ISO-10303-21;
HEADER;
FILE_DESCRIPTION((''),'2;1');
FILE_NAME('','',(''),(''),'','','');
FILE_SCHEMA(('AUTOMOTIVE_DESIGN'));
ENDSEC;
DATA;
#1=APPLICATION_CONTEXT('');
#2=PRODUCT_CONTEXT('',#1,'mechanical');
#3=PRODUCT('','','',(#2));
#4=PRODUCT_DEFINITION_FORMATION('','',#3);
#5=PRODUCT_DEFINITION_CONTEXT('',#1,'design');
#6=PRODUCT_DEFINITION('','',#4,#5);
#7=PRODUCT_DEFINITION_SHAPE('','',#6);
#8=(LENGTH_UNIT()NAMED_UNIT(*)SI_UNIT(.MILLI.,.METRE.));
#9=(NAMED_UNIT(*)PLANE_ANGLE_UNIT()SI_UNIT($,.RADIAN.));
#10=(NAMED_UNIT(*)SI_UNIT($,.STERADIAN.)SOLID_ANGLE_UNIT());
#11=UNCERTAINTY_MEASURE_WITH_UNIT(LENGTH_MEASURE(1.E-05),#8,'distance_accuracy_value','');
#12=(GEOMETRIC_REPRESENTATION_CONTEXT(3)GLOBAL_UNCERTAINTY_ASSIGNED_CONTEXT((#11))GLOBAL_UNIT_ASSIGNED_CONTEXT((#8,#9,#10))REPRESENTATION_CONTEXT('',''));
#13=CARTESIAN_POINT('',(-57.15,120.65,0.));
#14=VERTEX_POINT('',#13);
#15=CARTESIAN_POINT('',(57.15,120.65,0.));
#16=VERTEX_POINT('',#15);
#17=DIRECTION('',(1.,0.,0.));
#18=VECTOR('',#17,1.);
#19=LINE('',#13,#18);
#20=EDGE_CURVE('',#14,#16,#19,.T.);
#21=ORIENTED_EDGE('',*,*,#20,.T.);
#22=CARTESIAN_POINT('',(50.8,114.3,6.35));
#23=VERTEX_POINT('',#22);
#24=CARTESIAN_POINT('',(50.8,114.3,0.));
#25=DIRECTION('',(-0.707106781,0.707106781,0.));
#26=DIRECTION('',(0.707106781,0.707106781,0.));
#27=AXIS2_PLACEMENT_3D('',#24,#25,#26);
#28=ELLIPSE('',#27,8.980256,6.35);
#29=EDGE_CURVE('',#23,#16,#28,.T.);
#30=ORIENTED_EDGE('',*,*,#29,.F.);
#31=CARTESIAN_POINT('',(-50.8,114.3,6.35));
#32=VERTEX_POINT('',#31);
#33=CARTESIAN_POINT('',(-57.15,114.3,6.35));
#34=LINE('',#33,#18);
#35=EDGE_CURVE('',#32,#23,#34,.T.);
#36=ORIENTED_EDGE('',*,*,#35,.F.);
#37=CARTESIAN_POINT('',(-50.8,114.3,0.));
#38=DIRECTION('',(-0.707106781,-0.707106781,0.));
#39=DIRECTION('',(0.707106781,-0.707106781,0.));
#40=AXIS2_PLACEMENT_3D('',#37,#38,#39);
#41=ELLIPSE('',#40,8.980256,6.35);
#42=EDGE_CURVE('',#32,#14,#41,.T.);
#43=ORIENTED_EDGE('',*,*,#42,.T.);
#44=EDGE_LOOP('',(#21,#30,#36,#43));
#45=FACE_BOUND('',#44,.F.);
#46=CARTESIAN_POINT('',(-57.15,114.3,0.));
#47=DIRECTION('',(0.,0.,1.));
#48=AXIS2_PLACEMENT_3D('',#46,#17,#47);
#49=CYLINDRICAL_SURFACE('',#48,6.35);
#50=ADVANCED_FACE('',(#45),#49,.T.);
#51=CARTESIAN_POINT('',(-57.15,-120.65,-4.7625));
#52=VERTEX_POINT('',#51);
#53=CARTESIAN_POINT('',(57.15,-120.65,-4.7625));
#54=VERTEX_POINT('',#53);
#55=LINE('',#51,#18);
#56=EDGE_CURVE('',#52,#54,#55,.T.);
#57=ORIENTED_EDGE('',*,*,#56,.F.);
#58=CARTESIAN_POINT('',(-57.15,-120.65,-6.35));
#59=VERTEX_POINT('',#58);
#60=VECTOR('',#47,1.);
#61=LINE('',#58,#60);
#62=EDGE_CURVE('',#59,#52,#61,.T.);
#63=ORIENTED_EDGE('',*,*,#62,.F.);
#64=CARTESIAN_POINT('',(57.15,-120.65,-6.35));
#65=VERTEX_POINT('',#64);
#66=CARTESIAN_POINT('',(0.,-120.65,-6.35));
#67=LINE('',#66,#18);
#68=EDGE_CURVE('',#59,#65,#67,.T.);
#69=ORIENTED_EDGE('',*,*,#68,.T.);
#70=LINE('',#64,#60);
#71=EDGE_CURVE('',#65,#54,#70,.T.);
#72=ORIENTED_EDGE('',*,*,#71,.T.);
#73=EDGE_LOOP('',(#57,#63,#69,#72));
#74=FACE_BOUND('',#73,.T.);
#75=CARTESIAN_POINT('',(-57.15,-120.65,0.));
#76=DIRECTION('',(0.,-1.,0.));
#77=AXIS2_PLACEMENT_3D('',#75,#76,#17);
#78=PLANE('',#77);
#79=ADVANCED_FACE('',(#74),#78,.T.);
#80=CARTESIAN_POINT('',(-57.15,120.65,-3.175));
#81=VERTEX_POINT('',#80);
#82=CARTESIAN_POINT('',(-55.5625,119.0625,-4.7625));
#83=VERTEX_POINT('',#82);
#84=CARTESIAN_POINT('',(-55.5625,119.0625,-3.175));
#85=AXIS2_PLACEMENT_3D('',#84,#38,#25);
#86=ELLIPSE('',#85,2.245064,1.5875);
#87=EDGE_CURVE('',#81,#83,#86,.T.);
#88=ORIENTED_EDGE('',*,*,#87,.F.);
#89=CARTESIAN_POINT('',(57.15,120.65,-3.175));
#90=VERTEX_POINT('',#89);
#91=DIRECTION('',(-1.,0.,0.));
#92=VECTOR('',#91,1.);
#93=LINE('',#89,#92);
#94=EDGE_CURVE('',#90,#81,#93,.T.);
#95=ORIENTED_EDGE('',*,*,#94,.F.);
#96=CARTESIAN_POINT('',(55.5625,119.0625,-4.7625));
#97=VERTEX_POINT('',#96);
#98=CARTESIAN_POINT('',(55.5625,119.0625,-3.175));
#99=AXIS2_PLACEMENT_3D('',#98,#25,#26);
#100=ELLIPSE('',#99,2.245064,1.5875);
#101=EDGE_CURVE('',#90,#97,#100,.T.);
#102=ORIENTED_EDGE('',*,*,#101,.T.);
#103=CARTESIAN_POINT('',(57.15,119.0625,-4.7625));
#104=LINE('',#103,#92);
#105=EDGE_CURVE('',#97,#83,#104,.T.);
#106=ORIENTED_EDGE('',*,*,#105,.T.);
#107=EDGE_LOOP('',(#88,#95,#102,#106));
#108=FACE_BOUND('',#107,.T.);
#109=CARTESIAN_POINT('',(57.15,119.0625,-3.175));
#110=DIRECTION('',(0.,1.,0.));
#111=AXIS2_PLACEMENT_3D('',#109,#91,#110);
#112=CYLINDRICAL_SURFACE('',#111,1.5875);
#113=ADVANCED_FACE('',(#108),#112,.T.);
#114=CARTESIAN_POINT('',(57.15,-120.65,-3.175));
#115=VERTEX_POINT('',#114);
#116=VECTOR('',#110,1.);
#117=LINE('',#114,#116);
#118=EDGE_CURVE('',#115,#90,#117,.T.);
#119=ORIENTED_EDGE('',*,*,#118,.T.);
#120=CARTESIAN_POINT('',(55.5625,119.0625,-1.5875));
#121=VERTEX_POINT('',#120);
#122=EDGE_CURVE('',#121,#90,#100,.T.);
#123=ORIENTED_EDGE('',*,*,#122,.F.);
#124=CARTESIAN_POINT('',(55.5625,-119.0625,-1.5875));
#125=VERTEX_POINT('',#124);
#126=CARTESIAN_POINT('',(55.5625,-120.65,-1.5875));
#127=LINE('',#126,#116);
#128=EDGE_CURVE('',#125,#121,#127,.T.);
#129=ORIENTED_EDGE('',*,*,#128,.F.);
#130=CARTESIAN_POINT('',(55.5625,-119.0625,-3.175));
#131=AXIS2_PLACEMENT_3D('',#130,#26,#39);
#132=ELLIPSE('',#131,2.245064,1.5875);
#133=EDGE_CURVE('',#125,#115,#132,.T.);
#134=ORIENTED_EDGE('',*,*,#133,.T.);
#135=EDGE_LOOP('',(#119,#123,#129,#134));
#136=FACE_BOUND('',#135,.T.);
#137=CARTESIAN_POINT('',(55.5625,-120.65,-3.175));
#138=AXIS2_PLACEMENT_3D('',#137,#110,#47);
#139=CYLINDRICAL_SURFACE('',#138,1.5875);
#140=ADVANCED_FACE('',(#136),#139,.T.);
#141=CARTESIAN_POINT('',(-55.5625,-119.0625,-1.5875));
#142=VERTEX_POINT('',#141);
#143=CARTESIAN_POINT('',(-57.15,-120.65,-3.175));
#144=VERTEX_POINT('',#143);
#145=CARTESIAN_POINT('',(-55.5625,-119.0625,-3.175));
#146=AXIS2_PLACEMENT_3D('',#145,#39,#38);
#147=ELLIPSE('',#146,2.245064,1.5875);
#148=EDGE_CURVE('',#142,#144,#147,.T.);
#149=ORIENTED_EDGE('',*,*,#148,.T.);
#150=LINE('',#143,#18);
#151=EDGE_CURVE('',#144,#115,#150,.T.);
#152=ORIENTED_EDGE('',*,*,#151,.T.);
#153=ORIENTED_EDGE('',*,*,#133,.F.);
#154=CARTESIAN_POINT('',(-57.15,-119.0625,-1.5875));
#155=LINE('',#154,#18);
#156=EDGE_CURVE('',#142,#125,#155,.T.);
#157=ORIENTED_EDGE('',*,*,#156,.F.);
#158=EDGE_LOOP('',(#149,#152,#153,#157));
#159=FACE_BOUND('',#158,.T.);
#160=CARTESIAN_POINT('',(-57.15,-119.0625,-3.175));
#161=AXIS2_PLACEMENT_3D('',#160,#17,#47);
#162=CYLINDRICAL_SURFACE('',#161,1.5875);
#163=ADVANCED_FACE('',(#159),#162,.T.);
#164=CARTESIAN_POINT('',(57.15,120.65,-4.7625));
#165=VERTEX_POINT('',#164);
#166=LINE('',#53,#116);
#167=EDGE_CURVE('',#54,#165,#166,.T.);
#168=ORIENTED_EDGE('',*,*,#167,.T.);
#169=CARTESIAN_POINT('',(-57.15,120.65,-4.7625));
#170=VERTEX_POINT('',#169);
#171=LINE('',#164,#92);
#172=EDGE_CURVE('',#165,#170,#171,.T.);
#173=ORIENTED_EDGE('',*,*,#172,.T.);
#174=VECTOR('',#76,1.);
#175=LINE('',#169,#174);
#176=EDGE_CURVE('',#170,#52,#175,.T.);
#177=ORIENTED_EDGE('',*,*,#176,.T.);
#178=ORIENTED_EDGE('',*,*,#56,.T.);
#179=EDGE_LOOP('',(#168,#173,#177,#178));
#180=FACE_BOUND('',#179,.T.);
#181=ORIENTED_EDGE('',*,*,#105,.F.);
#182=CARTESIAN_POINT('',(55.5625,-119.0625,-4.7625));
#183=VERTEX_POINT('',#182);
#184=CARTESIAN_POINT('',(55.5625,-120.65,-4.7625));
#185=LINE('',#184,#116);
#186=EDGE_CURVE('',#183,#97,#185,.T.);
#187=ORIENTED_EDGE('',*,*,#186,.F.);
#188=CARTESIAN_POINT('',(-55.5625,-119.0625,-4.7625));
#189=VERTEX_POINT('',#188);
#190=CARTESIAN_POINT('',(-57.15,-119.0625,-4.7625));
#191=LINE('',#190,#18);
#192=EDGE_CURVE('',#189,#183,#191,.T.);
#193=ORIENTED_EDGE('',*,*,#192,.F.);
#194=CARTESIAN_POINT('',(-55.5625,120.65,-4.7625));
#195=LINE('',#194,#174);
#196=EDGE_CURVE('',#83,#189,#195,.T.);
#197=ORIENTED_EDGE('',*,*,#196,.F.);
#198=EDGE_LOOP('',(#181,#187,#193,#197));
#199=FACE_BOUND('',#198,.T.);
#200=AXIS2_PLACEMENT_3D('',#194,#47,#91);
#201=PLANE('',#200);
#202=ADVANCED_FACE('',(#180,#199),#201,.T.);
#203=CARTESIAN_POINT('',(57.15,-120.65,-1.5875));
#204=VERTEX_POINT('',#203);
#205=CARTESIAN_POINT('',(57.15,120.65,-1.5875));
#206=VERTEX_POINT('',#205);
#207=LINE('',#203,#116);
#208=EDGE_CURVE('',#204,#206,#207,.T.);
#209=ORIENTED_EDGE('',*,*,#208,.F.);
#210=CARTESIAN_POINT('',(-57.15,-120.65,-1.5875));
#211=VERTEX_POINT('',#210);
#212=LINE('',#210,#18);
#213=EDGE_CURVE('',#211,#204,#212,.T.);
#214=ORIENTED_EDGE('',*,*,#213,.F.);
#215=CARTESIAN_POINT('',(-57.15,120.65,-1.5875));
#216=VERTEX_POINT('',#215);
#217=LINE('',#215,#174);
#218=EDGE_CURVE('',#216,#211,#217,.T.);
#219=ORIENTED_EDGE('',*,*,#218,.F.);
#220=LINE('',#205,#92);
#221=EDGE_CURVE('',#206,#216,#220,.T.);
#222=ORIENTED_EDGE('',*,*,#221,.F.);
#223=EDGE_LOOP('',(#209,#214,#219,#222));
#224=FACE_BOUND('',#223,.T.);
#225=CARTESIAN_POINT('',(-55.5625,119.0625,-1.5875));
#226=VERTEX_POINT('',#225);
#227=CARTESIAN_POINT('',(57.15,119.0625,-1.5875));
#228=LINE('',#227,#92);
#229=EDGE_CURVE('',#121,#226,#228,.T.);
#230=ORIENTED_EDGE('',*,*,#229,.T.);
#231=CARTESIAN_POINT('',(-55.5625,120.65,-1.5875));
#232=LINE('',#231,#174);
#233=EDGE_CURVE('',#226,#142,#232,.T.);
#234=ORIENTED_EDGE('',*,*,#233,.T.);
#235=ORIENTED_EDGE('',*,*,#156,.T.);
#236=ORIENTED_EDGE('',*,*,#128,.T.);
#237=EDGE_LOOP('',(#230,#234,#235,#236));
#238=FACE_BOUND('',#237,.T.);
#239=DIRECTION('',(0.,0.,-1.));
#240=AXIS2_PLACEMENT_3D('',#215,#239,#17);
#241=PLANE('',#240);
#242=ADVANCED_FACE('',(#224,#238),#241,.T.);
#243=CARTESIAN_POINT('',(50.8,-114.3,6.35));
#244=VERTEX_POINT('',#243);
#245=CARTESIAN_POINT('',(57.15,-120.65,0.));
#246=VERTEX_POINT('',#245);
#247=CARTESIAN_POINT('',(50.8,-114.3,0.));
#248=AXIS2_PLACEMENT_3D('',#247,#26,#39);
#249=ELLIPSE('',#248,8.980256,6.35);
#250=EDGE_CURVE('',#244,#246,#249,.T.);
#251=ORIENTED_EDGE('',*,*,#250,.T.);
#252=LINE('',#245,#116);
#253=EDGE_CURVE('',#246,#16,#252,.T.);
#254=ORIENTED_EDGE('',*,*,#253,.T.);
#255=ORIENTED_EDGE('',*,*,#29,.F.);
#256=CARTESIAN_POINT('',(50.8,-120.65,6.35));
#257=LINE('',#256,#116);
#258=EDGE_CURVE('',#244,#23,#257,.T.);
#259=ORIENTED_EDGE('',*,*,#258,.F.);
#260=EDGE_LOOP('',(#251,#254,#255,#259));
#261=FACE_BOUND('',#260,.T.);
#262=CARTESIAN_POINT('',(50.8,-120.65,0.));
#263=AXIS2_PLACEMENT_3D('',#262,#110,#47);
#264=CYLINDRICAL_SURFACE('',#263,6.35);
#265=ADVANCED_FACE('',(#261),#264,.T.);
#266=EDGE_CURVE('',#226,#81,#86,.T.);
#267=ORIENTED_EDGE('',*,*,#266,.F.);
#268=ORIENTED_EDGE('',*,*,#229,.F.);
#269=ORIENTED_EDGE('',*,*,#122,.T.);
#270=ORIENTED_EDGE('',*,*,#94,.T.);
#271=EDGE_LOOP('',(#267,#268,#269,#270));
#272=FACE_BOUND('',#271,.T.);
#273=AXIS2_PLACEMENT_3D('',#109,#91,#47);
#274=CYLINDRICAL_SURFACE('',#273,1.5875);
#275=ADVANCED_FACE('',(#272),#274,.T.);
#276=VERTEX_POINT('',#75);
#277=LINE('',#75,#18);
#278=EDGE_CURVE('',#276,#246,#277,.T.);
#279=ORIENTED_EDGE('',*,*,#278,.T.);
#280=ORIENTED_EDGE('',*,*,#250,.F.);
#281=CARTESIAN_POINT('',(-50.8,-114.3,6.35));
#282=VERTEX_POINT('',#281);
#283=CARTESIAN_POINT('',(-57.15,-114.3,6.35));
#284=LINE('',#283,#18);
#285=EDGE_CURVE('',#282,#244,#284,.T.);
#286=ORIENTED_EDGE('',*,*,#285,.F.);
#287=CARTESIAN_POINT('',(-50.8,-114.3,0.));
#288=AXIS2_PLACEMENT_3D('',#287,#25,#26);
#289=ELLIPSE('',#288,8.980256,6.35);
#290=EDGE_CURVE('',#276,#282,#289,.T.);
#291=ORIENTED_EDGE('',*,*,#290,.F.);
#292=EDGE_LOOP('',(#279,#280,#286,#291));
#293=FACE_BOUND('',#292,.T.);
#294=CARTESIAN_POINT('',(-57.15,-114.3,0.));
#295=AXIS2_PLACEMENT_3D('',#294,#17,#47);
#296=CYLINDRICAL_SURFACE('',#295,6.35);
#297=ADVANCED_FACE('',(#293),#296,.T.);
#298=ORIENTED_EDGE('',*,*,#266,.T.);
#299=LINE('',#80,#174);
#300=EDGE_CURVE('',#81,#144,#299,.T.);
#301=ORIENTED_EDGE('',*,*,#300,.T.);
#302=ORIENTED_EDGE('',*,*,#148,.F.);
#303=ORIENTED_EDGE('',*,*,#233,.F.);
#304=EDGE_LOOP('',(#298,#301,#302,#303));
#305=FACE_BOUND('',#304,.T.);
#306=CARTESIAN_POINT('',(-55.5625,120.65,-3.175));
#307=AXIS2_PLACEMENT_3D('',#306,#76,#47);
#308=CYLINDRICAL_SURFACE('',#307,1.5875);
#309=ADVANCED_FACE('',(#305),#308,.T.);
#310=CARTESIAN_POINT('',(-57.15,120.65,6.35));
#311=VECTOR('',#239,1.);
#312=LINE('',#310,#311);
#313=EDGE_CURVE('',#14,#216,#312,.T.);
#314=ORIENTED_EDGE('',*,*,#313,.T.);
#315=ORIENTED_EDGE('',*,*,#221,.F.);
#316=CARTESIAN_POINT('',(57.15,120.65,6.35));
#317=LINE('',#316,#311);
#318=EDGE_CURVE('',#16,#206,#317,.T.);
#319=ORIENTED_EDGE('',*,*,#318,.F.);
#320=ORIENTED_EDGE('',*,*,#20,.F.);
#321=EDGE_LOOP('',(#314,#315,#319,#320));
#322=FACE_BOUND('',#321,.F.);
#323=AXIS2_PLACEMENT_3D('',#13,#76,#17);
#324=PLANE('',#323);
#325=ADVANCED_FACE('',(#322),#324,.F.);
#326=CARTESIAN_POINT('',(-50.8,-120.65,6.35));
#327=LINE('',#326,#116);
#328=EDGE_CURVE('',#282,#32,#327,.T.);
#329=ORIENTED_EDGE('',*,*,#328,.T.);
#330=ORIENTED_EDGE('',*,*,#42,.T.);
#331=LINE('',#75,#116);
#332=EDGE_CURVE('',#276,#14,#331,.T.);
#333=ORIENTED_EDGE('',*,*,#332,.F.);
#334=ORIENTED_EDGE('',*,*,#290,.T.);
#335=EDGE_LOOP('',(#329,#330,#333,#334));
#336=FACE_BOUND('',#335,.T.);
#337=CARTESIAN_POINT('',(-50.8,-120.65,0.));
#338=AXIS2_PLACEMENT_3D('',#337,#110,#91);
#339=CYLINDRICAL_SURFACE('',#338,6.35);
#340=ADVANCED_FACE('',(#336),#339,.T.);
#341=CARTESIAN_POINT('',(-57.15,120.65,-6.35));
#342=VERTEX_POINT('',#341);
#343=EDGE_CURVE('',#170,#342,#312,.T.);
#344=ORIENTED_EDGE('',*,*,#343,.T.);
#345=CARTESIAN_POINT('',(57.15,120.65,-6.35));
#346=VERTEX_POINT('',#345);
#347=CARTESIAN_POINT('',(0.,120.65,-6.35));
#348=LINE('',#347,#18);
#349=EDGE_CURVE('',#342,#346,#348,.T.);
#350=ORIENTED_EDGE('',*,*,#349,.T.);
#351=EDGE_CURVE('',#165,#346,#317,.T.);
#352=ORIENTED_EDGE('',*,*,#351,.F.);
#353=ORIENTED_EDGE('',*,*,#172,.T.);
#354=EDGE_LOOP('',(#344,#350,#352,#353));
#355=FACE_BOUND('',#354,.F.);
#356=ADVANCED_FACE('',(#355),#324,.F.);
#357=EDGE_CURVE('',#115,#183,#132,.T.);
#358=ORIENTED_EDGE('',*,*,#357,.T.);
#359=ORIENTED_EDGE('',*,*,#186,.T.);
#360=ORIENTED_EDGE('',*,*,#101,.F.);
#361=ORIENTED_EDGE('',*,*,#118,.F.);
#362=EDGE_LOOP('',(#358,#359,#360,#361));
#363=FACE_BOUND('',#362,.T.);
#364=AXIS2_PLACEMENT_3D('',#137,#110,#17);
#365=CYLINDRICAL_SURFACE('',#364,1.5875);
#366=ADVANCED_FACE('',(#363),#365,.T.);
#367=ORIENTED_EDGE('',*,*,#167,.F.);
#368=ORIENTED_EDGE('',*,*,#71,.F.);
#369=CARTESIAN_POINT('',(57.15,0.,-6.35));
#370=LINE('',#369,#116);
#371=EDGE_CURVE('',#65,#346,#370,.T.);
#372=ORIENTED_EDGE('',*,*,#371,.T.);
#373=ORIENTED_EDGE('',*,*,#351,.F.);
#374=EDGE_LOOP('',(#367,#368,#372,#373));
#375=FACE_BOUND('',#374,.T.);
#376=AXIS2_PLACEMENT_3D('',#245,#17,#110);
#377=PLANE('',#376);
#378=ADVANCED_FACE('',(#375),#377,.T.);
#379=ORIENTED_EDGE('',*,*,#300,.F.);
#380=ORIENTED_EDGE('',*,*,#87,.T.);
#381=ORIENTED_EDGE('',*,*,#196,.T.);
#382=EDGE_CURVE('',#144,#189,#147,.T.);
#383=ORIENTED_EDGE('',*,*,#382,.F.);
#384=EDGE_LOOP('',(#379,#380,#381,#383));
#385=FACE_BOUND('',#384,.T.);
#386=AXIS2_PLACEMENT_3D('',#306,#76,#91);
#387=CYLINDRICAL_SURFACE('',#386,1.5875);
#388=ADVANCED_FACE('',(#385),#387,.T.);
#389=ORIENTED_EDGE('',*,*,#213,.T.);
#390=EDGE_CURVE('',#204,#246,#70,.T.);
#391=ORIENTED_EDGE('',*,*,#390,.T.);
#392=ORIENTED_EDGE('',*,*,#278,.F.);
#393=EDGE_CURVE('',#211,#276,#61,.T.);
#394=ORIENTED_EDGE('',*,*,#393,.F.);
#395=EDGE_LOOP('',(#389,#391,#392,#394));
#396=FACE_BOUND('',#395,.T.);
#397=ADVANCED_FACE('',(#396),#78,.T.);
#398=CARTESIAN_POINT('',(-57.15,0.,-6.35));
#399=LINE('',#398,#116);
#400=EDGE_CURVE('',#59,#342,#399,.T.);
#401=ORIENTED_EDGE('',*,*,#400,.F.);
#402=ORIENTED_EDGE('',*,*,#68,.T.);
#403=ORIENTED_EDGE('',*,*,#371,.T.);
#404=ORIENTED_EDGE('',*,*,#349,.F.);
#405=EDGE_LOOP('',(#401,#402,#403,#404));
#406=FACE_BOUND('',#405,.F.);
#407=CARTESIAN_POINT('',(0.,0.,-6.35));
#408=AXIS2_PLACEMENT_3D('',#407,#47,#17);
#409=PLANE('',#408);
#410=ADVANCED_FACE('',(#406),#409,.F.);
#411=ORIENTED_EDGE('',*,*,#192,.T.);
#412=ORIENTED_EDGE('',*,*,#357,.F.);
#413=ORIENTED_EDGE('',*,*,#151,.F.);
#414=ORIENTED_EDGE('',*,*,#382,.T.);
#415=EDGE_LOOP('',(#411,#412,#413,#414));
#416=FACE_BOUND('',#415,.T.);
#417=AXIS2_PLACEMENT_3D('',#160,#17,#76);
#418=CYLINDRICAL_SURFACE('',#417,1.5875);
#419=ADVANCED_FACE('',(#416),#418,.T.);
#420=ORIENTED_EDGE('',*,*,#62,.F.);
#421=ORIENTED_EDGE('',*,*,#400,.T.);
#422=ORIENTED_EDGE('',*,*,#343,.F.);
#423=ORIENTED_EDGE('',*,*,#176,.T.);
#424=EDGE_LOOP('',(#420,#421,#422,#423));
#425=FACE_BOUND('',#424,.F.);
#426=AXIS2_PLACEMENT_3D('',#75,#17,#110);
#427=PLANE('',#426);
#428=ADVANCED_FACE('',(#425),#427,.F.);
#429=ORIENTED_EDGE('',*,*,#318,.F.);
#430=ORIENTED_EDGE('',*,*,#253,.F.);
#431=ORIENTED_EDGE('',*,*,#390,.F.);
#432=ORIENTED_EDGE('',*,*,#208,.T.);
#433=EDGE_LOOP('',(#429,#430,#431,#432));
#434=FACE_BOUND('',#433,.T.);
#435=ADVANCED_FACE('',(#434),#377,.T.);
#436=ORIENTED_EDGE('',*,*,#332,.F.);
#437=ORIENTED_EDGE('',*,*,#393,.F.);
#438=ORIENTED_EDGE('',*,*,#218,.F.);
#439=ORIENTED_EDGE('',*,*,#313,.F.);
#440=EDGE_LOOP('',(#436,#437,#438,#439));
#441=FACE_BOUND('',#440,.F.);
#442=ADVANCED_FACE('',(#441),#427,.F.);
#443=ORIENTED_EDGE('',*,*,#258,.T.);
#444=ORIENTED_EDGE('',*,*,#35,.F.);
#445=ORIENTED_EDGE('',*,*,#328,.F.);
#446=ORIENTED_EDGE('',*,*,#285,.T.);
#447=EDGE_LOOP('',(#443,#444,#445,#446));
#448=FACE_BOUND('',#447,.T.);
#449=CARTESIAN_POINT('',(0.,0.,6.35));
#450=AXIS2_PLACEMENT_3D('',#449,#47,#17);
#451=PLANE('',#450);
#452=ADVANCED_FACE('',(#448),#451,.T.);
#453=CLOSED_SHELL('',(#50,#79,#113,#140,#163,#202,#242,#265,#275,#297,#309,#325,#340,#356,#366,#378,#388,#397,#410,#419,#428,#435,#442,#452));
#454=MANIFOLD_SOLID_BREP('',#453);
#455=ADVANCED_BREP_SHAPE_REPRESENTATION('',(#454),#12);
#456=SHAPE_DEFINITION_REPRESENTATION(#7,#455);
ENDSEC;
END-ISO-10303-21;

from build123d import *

# Parameters (mm, degrees)
F0_W     = 114.3
F0_H     = 241.3
F1_DEPTH = 6.35
F2_R     = 6.35


with BuildPart() as f1:
    # F0 (on Top) → F1 (new body, symmetric)
    with BuildSketch(Plane.XY):
        Rectangle(F0_W, F0_H)
    extrude(amount=F1_DEPTH, both=True)

    # F2
    f2_edges = [f1.edges().sort_by_distance(p)[0] for p in [
        (0, 120.65, 6.35),
        (-57.15, 0, 6.35),
        (0, -120.65, 6.35),
        (57.15, 0, 6.35),
    ]]
    fillet(f2_edges, radius=F2_R)

    # F4: sweep along a path in F4_path
    with BuildLine(Plane(origin=(57.15, -120.65, -6.35), x_dir=(0, -1, 0), z_dir=(0, 0, -1))) as f4_path:
        Line((0, 0), (-241.3, 0))
        Line((-241.3, 0), (-241.3, 114.3))
        Line((-241.3, 114.3), (0, 114.3))
        Line((0, 114.3), (0, 0))
    # F3 (on face) → F4 (sweep, cut)
    with BuildSketch(Plane.XZ.offset(120.65)):
        with BuildLine():
            ThreePointArc((55.5625, -1.5875), (56.6850320151, -2.0524679849), (57.15, -3.175))
            Line((57.15, -3.175), (57.15, -1.5875))
            Line((57.15, -1.5875), (55.5625, -1.5875))
        make_face()
        with BuildLine():
            ThreePointArc((57.15, -3.175), (56.6850320151, -4.2975320151), (55.5625, -4.7625))
            Line((55.5625, -4.7625), (57.15, -4.7625))
            Line((57.15, -4.7625), (57.15, -3.175))
        make_face()
    sweep(path=f4_path.line, transition=Transition.RIGHT, mode=Mode.SUBTRACT)


solid = f1.part
